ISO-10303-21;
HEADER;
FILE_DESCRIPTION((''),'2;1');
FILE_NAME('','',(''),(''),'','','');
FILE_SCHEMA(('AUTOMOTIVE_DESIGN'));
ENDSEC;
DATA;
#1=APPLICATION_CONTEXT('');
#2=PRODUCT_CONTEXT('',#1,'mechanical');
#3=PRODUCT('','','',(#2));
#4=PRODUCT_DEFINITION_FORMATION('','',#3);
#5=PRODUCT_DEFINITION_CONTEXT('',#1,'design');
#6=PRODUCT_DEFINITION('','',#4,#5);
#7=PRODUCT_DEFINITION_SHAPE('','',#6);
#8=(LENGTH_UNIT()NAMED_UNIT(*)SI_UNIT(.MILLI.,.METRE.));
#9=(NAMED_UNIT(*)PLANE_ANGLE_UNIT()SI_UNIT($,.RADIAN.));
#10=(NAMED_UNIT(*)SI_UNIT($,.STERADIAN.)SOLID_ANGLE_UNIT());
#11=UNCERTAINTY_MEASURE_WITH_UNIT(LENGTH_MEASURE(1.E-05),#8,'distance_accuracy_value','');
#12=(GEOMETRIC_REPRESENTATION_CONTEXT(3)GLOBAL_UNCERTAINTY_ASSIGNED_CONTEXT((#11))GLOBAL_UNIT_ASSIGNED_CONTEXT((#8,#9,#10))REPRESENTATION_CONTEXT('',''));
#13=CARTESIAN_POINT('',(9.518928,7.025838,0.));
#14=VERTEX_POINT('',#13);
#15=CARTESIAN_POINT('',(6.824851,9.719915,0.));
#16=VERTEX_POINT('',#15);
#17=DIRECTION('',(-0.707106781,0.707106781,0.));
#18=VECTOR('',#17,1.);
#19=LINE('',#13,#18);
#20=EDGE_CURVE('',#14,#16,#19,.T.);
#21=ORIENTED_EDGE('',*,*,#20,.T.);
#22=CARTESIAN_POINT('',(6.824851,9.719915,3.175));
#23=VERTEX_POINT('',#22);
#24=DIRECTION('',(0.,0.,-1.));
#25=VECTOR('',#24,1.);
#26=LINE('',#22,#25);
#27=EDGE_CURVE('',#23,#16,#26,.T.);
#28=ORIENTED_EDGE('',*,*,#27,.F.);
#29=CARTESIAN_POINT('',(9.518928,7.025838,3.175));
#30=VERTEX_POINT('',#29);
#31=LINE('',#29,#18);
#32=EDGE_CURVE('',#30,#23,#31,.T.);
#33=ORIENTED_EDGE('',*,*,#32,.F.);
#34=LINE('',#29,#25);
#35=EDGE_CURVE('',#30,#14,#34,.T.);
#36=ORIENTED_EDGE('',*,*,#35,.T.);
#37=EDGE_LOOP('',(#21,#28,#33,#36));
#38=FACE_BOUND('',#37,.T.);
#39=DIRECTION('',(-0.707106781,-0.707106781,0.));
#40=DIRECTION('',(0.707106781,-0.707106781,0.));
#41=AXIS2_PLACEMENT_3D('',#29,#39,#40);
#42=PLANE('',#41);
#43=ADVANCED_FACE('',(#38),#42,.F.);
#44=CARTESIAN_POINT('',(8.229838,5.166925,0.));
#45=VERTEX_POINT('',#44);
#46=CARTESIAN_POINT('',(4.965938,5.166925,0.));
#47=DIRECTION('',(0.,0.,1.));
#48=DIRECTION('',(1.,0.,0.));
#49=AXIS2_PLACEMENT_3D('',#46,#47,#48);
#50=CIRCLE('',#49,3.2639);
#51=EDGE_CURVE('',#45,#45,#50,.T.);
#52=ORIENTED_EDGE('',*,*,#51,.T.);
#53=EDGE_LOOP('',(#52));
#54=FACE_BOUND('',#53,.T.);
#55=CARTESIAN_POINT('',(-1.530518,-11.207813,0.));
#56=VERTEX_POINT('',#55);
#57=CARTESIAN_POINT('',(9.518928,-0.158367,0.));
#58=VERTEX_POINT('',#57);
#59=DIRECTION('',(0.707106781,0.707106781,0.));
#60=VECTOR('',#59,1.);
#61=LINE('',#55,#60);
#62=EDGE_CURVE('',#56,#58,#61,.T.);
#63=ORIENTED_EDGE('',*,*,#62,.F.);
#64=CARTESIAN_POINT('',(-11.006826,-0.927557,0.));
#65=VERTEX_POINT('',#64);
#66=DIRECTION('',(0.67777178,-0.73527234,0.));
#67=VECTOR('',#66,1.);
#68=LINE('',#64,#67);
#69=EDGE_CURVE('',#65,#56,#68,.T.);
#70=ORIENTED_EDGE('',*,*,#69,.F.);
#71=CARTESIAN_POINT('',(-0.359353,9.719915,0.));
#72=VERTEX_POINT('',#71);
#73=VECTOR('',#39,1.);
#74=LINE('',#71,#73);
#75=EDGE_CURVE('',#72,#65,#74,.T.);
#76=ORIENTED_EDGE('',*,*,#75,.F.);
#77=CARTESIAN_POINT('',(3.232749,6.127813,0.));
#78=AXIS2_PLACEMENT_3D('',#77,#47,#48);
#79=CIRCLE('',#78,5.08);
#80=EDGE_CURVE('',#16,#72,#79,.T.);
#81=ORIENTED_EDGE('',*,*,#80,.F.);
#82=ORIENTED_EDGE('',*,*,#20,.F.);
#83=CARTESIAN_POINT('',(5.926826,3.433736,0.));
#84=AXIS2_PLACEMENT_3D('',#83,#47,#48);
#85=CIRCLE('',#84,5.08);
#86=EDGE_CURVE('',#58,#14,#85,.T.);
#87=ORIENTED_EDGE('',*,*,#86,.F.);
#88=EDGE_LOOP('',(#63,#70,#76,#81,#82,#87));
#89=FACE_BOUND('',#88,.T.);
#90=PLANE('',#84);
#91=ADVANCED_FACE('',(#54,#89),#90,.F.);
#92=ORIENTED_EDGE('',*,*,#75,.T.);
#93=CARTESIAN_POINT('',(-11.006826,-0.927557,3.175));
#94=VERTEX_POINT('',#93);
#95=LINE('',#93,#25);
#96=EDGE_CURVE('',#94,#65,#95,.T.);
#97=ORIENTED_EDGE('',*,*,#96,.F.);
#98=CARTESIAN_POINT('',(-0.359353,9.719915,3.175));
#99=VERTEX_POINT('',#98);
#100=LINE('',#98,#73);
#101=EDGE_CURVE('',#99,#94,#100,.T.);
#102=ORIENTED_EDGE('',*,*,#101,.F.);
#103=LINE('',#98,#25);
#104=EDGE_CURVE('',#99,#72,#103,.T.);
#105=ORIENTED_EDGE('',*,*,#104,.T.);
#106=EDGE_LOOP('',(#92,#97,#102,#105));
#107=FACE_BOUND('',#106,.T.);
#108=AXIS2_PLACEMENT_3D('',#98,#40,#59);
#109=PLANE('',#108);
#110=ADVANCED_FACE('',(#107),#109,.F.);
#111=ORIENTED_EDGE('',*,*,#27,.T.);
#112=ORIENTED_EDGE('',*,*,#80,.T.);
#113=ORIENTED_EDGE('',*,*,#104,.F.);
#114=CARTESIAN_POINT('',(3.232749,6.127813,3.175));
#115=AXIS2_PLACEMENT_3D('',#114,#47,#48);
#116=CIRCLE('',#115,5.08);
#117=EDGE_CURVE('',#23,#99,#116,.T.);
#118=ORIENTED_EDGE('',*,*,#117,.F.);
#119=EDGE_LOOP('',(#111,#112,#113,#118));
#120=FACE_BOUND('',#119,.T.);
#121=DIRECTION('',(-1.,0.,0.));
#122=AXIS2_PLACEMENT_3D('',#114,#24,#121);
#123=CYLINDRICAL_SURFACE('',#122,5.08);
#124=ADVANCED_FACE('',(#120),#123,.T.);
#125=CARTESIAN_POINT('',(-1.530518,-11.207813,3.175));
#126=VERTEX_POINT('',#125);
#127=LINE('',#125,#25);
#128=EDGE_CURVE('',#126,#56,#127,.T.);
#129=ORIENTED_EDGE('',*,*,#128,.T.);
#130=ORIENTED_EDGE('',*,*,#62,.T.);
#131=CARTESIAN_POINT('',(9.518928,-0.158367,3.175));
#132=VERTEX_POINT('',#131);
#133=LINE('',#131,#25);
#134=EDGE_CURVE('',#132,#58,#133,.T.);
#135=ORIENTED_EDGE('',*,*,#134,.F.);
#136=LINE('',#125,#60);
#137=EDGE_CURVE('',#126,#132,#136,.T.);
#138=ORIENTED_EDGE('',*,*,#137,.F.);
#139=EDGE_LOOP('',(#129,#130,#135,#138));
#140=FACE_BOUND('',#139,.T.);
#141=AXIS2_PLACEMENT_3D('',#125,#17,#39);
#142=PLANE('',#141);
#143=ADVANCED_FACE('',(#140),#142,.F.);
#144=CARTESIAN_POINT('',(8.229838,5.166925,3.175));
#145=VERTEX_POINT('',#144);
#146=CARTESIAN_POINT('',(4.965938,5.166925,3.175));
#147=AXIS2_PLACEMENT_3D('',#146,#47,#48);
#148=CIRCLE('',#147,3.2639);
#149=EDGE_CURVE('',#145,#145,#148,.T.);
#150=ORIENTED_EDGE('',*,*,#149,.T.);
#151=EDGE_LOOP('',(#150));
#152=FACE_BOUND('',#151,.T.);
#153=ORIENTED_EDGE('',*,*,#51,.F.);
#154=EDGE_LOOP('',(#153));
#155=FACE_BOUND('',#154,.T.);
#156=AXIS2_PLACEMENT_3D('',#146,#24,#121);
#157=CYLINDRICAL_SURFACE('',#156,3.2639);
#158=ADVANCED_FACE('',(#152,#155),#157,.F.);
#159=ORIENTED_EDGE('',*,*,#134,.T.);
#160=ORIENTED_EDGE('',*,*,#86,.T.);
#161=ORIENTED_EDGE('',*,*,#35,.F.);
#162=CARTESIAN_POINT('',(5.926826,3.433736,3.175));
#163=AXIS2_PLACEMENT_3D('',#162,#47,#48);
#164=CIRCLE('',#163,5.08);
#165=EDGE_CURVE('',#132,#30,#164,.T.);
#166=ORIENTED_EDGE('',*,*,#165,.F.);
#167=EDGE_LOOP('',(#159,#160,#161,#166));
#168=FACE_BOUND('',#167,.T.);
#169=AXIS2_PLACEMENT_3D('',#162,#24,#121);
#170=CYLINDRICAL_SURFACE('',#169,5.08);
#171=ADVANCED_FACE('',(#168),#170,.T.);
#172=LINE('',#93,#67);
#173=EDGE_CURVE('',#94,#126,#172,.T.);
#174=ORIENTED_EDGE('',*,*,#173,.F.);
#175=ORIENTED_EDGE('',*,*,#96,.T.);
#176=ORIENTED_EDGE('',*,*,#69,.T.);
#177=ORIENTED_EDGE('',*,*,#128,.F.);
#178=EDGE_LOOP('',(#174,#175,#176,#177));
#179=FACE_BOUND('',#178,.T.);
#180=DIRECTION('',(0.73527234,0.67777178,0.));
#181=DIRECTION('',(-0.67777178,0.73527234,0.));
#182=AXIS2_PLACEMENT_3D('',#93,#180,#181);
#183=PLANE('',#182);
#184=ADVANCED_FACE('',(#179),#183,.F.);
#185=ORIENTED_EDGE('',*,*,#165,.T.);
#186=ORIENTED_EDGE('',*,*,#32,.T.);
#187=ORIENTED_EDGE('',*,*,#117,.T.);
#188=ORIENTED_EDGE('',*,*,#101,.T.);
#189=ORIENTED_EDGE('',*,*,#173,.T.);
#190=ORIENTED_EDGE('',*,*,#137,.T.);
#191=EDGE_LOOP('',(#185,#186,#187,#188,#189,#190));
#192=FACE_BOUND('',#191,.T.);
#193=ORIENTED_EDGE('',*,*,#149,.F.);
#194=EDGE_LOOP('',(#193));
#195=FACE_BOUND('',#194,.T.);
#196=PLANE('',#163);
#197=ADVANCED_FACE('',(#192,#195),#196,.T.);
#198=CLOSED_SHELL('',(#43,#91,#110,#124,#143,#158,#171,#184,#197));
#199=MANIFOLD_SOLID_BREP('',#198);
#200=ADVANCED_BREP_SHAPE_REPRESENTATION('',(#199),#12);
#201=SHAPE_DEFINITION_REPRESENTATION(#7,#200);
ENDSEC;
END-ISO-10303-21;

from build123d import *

# Parameters (mm, degrees)
SKETCH1_R           = 3.2639
BOSS_EXTRUDE1_DEPTH = 3.175


with BuildPart() as part:
    # Sketch1 → Boss-Extrude1 (new body)
    with BuildSketch(Plane.XY):
        with BuildLine():
            Line((-1.530517905, -11.20781273), (9.518928271, -0.158366555))
            ThreePointArc((9.518928271, -0.158366555), (11.006825822, 3.433735894), (9.518928271, 7.025838342))
            Line((9.518928271, 7.025838342), (6.824851434, 9.719915179))
            ThreePointArc((6.824851434, 9.719915179), (3.232748986, 11.20781273), (-0.359353462, 9.719915179))
            Line((-0.359353462, 9.719915179), (-11.006825822, -0.927557181))
            Line((-11.006825822, -0.927557181), (-1.530517905, -11.20781273))
        make_face()
        with Locations((4.965938417, 5.166925325)):
            Circle(SKETCH1_R, mode=Mode.SUBTRACT)
    extrude(amount=BOSS_EXTRUDE1_DEPTH)


solid = part.part
